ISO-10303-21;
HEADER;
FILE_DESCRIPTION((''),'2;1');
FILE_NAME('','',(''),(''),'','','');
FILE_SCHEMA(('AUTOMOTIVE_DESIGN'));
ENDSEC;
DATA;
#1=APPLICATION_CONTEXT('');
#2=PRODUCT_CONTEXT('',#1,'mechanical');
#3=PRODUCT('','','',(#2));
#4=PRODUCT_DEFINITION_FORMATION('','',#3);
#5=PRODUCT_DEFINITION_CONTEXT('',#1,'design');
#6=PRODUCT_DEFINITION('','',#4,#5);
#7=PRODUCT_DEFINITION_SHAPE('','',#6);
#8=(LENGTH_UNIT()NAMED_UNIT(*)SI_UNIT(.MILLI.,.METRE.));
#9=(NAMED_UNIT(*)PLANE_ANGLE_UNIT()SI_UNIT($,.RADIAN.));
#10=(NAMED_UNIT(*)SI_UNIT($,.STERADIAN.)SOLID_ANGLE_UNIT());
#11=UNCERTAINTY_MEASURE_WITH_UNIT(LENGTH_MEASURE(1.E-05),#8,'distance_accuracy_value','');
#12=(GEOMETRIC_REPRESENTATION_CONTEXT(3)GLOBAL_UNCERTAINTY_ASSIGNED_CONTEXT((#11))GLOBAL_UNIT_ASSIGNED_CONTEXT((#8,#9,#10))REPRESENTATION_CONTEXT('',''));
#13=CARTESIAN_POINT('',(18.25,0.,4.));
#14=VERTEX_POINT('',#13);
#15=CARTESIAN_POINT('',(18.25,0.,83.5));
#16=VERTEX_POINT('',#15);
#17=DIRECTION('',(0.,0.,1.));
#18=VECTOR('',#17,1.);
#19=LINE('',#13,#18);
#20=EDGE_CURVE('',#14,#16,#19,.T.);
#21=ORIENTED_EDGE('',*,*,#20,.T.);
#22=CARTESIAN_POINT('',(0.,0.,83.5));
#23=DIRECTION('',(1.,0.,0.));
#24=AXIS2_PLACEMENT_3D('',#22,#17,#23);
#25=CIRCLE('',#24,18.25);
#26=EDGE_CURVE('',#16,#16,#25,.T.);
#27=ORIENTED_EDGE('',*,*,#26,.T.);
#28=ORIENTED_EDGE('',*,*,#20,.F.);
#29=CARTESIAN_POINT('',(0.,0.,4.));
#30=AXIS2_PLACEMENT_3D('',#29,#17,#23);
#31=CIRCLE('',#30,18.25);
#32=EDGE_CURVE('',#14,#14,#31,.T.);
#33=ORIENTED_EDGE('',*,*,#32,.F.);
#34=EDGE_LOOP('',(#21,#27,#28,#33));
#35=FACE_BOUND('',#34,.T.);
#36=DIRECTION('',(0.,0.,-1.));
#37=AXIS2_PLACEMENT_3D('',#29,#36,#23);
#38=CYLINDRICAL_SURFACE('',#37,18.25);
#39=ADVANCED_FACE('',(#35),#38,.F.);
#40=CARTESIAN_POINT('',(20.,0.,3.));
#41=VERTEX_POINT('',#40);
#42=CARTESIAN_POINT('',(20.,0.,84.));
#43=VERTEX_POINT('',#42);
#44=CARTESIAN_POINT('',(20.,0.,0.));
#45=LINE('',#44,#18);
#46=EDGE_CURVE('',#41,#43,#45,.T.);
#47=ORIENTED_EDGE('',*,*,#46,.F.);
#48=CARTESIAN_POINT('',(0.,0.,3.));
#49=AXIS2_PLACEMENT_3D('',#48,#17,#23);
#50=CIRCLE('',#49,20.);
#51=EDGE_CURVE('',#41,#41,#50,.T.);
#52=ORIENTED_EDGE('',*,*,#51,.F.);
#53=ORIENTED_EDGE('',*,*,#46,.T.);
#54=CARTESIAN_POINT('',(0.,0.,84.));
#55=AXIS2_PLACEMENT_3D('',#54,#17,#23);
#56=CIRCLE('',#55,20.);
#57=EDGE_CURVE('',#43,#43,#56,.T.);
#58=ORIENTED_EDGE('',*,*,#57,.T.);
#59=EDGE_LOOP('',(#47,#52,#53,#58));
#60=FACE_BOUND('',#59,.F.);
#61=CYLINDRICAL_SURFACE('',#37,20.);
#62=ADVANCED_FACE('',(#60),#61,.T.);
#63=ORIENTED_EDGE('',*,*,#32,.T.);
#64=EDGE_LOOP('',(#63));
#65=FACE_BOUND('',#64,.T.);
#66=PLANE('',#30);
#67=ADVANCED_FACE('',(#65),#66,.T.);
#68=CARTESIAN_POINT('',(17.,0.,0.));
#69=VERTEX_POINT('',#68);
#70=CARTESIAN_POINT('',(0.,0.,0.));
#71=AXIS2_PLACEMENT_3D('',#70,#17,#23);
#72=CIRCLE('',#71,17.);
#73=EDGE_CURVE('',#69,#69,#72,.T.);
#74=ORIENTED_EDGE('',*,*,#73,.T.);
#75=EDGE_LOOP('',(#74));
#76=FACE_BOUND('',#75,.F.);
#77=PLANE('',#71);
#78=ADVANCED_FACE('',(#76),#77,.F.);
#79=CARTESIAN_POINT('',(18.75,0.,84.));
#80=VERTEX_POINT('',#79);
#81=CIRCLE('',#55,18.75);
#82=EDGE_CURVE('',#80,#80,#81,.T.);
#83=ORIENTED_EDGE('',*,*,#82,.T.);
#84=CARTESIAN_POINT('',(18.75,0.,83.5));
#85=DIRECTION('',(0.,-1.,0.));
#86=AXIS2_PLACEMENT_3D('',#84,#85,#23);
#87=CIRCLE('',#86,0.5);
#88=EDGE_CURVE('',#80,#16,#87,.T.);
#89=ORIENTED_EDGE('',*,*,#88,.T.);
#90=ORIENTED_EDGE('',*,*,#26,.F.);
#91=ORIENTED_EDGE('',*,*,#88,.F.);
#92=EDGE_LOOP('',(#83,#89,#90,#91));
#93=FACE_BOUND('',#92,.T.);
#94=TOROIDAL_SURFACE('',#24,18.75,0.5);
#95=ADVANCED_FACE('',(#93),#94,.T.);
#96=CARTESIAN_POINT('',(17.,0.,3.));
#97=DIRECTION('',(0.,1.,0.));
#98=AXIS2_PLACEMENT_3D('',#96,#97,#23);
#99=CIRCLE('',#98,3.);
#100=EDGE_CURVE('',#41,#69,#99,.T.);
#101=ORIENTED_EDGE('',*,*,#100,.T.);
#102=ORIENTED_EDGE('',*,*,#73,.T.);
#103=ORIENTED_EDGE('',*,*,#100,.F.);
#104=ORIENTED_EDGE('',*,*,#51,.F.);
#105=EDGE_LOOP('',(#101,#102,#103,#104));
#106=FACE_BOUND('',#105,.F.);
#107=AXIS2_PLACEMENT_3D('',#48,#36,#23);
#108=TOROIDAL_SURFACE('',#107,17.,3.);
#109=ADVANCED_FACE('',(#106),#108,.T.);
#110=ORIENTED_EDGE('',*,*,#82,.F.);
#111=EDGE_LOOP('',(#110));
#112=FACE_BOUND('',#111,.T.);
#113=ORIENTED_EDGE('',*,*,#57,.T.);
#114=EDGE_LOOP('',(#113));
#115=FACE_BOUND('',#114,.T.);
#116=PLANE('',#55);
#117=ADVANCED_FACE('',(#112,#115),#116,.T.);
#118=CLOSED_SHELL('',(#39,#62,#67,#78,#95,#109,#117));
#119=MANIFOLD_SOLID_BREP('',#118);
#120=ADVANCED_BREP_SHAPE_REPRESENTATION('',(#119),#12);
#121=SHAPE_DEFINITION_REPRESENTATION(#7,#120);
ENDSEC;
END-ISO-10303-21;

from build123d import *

# Parameters (mm, degrees)
F0_R     = 20
F1_DEPTH = 4
F2_R     = 20
F2_R_2   = 18.25
F3_DEPTH = 80
F4_R     = 0.5
F5_R     = 3


with BuildPart() as f1:
    # F0 (on Top) → F1 (new body)
    with BuildSketch(Plane.XY):
        Circle(F0_R)
    extrude(amount=F1_DEPTH)

    # F2 (on face) → F3 (join)
    with BuildSketch(Plane.XY.offset(4)):
        Circle(F2_R)
        Circle(F2_R_2, mode=Mode.SUBTRACT)
    extrude(amount=F3_DEPTH)

    # F4
    f4_edges = [f1.edges().sort_by_distance(p)[0] for p in [
        (-18.25, 0, 84),
    ]]
    fillet(f4_edges, radius=F4_R)

    # F5
    f5_edges = [f1.edges().sort_by_distance(p)[0] for p in [
        (-20, 0, 0),
    ]]
    fillet(f5_edges, radius=F5_R)


solid = f1.part
